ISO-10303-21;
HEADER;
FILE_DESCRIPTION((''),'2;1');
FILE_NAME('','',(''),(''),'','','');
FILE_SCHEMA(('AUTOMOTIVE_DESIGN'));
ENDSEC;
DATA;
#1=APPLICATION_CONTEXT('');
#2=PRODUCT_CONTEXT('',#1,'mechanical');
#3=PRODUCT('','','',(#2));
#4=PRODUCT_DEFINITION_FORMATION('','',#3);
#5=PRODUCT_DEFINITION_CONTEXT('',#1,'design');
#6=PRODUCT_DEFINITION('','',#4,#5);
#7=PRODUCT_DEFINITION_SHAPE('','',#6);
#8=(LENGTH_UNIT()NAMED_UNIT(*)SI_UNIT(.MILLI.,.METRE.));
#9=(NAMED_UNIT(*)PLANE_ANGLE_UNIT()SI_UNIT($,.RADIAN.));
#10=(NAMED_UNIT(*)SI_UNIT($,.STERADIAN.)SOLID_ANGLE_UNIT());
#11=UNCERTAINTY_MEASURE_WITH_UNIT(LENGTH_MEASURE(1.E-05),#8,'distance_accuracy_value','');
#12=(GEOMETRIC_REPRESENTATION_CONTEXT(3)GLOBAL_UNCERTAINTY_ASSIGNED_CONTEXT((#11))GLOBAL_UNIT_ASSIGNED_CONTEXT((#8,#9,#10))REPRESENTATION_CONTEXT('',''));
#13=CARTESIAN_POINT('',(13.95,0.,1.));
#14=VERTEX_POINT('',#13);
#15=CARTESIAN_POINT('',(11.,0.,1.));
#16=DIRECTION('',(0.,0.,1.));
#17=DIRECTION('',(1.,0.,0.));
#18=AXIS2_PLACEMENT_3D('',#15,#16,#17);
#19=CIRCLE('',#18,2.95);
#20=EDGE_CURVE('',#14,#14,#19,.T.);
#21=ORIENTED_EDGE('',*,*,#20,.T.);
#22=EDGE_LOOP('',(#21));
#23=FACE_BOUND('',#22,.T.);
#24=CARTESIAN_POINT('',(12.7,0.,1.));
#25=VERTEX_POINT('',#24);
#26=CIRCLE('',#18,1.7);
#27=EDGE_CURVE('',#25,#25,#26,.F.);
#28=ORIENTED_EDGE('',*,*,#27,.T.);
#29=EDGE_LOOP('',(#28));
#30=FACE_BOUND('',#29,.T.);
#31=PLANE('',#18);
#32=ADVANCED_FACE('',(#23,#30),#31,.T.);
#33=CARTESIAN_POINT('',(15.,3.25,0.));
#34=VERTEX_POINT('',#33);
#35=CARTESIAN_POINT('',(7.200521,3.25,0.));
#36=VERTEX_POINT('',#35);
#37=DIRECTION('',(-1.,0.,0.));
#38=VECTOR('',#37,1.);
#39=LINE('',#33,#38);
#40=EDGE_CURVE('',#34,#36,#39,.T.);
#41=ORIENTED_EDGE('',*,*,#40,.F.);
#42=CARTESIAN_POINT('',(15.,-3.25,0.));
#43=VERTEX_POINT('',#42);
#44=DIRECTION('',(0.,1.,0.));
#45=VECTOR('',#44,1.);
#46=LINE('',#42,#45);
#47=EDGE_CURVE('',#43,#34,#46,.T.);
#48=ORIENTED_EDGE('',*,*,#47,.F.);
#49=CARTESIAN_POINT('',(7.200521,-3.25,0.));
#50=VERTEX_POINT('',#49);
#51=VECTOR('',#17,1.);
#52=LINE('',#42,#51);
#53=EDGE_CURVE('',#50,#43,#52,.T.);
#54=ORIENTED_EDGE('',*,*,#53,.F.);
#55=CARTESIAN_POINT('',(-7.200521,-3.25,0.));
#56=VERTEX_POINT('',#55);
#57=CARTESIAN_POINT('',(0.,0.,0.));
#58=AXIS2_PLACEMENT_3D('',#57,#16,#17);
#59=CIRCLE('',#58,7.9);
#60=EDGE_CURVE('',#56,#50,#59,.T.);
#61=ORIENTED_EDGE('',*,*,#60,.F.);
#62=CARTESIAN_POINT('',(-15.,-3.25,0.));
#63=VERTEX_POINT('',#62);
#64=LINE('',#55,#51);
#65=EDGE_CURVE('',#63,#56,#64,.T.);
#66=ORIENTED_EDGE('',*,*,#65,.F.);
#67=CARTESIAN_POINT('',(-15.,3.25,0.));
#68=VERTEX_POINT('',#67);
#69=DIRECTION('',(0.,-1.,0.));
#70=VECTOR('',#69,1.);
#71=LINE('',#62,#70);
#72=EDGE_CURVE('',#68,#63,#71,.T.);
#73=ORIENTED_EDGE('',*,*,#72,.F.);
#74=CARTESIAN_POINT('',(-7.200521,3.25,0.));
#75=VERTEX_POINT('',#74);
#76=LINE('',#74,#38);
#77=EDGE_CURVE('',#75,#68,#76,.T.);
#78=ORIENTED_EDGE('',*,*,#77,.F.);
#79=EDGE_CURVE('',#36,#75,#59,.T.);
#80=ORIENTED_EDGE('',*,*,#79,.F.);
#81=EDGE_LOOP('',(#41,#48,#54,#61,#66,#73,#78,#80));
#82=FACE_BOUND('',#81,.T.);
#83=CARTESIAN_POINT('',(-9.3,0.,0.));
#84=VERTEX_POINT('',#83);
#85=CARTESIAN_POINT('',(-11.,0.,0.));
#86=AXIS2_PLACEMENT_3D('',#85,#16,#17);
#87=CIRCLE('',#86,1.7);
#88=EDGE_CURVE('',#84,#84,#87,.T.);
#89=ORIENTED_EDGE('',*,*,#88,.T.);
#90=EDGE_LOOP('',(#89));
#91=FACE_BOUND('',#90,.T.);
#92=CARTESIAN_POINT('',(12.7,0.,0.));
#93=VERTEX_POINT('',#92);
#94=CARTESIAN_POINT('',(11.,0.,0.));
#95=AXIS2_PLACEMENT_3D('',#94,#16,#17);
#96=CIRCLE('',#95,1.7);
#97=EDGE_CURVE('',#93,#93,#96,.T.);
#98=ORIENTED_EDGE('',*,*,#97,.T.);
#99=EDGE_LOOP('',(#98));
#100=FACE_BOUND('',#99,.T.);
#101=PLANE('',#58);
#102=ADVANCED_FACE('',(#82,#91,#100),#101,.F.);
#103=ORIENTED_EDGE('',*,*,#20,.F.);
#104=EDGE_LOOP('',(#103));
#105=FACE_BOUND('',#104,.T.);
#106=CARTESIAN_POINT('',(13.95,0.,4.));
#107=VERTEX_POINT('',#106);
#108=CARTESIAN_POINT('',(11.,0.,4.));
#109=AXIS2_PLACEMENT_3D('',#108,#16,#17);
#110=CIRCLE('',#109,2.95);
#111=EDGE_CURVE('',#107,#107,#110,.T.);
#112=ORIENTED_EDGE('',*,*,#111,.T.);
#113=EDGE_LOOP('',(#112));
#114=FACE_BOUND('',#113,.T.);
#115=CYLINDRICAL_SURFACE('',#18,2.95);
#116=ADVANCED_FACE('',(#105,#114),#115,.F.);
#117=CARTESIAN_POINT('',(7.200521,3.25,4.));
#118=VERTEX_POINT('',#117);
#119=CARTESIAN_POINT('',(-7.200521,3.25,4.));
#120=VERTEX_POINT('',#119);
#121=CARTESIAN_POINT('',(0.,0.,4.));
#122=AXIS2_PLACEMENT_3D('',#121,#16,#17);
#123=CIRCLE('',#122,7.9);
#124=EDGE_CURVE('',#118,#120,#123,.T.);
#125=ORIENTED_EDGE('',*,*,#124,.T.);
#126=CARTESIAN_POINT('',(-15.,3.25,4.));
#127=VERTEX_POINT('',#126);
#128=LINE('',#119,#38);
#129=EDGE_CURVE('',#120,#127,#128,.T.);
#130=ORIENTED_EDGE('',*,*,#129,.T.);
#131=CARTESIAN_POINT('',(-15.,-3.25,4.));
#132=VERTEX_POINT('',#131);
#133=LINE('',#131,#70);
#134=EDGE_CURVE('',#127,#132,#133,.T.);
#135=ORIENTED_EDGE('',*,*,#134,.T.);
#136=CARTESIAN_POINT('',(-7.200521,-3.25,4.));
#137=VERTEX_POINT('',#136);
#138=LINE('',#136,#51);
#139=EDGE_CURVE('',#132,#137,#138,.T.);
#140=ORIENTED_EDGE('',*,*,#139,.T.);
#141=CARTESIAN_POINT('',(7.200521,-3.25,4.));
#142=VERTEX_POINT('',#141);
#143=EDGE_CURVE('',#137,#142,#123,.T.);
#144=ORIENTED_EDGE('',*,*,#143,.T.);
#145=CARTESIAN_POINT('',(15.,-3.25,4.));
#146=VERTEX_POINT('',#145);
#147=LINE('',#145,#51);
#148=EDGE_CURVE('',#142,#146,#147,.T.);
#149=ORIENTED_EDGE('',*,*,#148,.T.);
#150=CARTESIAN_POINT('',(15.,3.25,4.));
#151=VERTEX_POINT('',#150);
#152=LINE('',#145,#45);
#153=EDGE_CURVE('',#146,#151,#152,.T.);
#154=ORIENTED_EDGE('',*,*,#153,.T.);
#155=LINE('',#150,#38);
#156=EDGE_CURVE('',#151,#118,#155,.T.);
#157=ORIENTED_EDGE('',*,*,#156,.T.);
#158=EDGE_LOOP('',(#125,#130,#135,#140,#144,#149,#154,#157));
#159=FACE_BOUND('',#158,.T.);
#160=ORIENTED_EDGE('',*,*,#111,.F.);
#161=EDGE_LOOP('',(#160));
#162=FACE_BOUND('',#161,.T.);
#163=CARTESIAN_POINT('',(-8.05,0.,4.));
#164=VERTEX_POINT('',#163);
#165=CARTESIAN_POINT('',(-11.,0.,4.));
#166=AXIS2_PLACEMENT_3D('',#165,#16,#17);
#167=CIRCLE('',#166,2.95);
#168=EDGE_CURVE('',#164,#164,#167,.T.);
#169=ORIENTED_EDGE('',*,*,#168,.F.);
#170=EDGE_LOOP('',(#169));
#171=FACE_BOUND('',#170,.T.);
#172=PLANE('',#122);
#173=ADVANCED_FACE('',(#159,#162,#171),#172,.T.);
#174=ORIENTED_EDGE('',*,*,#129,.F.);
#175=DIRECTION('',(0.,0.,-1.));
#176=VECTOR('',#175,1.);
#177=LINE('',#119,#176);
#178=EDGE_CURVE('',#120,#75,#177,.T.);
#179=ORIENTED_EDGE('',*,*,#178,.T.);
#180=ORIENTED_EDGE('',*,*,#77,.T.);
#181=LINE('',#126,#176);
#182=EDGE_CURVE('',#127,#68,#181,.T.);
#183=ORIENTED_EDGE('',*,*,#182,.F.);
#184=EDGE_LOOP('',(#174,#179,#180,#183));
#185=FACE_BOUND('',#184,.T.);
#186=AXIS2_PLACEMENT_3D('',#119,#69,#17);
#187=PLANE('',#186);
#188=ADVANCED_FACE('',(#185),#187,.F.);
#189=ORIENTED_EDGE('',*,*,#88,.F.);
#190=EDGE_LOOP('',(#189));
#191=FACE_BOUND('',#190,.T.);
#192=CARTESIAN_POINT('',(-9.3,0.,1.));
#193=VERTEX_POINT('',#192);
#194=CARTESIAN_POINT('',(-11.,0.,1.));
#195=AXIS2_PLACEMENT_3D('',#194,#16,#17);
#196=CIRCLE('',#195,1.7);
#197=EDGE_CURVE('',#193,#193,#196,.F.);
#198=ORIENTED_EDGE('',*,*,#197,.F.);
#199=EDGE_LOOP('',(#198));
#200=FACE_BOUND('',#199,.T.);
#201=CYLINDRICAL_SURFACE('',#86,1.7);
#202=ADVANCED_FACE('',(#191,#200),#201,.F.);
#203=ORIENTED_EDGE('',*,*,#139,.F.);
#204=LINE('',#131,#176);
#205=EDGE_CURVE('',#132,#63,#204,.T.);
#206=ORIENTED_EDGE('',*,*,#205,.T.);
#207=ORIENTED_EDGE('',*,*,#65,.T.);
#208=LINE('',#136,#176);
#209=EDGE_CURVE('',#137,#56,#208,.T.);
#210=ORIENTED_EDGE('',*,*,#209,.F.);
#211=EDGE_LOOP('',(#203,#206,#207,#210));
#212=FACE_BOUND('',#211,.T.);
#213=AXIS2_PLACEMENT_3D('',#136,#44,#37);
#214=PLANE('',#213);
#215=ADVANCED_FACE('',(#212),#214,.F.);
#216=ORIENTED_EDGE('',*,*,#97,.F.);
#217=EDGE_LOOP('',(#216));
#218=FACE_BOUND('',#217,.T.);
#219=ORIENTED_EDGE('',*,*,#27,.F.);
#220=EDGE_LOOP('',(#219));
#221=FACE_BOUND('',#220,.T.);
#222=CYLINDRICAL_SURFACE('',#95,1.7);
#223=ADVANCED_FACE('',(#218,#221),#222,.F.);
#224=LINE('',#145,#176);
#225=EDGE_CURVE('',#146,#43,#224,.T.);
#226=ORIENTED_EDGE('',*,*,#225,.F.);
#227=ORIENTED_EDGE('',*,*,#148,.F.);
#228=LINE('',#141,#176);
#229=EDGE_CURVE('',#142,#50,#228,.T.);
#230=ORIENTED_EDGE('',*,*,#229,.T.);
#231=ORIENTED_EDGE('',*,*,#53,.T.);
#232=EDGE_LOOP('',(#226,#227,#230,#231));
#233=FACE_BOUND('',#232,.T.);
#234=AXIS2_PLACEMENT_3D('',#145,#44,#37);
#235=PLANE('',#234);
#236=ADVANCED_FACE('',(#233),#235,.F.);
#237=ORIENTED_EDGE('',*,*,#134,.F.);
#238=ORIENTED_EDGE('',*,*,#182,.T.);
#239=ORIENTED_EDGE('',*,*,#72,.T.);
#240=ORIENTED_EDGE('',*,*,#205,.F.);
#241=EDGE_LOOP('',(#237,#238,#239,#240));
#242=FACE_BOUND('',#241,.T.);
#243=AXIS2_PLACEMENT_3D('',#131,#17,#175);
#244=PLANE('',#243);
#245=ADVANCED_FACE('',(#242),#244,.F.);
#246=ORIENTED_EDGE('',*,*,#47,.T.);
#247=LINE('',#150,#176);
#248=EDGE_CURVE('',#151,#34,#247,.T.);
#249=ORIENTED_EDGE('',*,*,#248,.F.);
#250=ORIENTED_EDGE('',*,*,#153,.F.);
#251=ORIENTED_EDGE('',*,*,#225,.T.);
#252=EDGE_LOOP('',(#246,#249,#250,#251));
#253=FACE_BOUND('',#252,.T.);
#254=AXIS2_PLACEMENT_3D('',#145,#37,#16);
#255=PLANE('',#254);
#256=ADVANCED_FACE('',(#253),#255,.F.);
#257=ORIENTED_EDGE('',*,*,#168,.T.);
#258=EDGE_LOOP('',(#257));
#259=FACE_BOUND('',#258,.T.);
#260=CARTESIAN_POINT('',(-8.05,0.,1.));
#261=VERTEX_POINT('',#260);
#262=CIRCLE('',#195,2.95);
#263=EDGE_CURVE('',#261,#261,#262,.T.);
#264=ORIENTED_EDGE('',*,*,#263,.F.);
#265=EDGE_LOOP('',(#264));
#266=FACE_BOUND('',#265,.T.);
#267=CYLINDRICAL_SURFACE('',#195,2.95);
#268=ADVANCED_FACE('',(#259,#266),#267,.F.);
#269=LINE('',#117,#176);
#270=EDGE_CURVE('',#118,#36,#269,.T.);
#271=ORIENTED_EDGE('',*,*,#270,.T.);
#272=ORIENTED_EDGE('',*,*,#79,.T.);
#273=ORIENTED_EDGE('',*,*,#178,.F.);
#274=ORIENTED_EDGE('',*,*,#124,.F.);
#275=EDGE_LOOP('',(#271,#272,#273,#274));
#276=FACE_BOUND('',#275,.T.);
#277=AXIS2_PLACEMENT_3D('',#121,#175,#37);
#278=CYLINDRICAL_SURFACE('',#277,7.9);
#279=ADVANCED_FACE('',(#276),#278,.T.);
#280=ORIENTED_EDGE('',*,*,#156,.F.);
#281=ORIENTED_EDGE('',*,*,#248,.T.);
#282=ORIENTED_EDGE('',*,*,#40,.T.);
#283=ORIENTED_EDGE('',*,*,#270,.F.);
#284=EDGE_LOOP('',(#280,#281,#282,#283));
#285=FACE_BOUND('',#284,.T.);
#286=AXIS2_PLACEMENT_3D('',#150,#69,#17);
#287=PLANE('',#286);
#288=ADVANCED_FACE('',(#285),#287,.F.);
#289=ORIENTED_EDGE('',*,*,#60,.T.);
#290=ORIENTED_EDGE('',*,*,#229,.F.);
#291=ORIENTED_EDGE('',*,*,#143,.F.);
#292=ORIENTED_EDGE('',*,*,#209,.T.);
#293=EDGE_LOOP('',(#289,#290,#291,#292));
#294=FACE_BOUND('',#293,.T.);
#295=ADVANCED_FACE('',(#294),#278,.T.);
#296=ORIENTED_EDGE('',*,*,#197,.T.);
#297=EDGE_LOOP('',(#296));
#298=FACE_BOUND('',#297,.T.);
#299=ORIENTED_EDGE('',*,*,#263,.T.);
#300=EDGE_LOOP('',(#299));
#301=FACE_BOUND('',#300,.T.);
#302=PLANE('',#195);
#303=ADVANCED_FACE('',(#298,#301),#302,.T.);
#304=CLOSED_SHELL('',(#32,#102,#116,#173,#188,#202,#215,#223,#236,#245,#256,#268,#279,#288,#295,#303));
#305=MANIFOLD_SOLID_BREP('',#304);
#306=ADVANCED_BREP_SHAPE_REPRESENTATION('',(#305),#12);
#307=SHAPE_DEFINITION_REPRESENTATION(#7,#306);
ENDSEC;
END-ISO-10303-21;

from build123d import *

# Parameters (mm, degrees)
SALIENTE_EXTRUIR1_DEPTH = 4
CROQUIS2_R              = 1.7
CORTAR_EXTRUIR1_DEPTH   = 4
CROQUIS3_R              = 2.95
CORTAR_EXTRUIR2_DEPTH   = 3


with BuildPart() as part:
    # Croquis1 → Saliente-Extruir1 (new body)
    with BuildSketch(Plane.XY):
        with BuildLine():
            Line((-7.200520814, -3.25), (-15, -3.25))
            Line((-15, -3.25), (-15, 3.25))
            Line((-15, 3.25), (-7.200520814, 3.25))
            ThreePointArc((-7.200520814, 3.25), (0, 7.9), (7.200520814, 3.25))
            Line((7.200520814, 3.25), (15, 3.25))
            Line((15, 3.25), (15, -3.25))
            Line((15, -3.25), (7.200520814, -3.25))
            ThreePointArc((7.200520814, -3.25), (0, -7.9), (-7.200520814, -3.25))
        make_face()
    extrude(amount=SALIENTE_EXTRUIR1_DEPTH)

    # Croquis2 → Cortar-Extruir1 (cut)
    with BuildSketch(Plane.XY.offset(4)):
        with Locations((-11, 0)):
            Circle(CROQUIS2_R)
        with Locations((11, 0)):
            Circle(CROQUIS2_R)
    extrude(amount=-CORTAR_EXTRUIR1_DEPTH, mode=Mode.SUBTRACT)

    # Croquis3 → Cortar-Extruir2 (cut)
    with BuildSketch(Plane.XY.offset(4)):
        with Locations((-11, 0)):
            Circle(CROQUIS3_R)
        with Locations((11, 0)):
            Circle(CROQUIS3_R)
    extrude(amount=-CORTAR_EXTRUIR2_DEPTH, mode=Mode.SUBTRACT)


solid = part.part
